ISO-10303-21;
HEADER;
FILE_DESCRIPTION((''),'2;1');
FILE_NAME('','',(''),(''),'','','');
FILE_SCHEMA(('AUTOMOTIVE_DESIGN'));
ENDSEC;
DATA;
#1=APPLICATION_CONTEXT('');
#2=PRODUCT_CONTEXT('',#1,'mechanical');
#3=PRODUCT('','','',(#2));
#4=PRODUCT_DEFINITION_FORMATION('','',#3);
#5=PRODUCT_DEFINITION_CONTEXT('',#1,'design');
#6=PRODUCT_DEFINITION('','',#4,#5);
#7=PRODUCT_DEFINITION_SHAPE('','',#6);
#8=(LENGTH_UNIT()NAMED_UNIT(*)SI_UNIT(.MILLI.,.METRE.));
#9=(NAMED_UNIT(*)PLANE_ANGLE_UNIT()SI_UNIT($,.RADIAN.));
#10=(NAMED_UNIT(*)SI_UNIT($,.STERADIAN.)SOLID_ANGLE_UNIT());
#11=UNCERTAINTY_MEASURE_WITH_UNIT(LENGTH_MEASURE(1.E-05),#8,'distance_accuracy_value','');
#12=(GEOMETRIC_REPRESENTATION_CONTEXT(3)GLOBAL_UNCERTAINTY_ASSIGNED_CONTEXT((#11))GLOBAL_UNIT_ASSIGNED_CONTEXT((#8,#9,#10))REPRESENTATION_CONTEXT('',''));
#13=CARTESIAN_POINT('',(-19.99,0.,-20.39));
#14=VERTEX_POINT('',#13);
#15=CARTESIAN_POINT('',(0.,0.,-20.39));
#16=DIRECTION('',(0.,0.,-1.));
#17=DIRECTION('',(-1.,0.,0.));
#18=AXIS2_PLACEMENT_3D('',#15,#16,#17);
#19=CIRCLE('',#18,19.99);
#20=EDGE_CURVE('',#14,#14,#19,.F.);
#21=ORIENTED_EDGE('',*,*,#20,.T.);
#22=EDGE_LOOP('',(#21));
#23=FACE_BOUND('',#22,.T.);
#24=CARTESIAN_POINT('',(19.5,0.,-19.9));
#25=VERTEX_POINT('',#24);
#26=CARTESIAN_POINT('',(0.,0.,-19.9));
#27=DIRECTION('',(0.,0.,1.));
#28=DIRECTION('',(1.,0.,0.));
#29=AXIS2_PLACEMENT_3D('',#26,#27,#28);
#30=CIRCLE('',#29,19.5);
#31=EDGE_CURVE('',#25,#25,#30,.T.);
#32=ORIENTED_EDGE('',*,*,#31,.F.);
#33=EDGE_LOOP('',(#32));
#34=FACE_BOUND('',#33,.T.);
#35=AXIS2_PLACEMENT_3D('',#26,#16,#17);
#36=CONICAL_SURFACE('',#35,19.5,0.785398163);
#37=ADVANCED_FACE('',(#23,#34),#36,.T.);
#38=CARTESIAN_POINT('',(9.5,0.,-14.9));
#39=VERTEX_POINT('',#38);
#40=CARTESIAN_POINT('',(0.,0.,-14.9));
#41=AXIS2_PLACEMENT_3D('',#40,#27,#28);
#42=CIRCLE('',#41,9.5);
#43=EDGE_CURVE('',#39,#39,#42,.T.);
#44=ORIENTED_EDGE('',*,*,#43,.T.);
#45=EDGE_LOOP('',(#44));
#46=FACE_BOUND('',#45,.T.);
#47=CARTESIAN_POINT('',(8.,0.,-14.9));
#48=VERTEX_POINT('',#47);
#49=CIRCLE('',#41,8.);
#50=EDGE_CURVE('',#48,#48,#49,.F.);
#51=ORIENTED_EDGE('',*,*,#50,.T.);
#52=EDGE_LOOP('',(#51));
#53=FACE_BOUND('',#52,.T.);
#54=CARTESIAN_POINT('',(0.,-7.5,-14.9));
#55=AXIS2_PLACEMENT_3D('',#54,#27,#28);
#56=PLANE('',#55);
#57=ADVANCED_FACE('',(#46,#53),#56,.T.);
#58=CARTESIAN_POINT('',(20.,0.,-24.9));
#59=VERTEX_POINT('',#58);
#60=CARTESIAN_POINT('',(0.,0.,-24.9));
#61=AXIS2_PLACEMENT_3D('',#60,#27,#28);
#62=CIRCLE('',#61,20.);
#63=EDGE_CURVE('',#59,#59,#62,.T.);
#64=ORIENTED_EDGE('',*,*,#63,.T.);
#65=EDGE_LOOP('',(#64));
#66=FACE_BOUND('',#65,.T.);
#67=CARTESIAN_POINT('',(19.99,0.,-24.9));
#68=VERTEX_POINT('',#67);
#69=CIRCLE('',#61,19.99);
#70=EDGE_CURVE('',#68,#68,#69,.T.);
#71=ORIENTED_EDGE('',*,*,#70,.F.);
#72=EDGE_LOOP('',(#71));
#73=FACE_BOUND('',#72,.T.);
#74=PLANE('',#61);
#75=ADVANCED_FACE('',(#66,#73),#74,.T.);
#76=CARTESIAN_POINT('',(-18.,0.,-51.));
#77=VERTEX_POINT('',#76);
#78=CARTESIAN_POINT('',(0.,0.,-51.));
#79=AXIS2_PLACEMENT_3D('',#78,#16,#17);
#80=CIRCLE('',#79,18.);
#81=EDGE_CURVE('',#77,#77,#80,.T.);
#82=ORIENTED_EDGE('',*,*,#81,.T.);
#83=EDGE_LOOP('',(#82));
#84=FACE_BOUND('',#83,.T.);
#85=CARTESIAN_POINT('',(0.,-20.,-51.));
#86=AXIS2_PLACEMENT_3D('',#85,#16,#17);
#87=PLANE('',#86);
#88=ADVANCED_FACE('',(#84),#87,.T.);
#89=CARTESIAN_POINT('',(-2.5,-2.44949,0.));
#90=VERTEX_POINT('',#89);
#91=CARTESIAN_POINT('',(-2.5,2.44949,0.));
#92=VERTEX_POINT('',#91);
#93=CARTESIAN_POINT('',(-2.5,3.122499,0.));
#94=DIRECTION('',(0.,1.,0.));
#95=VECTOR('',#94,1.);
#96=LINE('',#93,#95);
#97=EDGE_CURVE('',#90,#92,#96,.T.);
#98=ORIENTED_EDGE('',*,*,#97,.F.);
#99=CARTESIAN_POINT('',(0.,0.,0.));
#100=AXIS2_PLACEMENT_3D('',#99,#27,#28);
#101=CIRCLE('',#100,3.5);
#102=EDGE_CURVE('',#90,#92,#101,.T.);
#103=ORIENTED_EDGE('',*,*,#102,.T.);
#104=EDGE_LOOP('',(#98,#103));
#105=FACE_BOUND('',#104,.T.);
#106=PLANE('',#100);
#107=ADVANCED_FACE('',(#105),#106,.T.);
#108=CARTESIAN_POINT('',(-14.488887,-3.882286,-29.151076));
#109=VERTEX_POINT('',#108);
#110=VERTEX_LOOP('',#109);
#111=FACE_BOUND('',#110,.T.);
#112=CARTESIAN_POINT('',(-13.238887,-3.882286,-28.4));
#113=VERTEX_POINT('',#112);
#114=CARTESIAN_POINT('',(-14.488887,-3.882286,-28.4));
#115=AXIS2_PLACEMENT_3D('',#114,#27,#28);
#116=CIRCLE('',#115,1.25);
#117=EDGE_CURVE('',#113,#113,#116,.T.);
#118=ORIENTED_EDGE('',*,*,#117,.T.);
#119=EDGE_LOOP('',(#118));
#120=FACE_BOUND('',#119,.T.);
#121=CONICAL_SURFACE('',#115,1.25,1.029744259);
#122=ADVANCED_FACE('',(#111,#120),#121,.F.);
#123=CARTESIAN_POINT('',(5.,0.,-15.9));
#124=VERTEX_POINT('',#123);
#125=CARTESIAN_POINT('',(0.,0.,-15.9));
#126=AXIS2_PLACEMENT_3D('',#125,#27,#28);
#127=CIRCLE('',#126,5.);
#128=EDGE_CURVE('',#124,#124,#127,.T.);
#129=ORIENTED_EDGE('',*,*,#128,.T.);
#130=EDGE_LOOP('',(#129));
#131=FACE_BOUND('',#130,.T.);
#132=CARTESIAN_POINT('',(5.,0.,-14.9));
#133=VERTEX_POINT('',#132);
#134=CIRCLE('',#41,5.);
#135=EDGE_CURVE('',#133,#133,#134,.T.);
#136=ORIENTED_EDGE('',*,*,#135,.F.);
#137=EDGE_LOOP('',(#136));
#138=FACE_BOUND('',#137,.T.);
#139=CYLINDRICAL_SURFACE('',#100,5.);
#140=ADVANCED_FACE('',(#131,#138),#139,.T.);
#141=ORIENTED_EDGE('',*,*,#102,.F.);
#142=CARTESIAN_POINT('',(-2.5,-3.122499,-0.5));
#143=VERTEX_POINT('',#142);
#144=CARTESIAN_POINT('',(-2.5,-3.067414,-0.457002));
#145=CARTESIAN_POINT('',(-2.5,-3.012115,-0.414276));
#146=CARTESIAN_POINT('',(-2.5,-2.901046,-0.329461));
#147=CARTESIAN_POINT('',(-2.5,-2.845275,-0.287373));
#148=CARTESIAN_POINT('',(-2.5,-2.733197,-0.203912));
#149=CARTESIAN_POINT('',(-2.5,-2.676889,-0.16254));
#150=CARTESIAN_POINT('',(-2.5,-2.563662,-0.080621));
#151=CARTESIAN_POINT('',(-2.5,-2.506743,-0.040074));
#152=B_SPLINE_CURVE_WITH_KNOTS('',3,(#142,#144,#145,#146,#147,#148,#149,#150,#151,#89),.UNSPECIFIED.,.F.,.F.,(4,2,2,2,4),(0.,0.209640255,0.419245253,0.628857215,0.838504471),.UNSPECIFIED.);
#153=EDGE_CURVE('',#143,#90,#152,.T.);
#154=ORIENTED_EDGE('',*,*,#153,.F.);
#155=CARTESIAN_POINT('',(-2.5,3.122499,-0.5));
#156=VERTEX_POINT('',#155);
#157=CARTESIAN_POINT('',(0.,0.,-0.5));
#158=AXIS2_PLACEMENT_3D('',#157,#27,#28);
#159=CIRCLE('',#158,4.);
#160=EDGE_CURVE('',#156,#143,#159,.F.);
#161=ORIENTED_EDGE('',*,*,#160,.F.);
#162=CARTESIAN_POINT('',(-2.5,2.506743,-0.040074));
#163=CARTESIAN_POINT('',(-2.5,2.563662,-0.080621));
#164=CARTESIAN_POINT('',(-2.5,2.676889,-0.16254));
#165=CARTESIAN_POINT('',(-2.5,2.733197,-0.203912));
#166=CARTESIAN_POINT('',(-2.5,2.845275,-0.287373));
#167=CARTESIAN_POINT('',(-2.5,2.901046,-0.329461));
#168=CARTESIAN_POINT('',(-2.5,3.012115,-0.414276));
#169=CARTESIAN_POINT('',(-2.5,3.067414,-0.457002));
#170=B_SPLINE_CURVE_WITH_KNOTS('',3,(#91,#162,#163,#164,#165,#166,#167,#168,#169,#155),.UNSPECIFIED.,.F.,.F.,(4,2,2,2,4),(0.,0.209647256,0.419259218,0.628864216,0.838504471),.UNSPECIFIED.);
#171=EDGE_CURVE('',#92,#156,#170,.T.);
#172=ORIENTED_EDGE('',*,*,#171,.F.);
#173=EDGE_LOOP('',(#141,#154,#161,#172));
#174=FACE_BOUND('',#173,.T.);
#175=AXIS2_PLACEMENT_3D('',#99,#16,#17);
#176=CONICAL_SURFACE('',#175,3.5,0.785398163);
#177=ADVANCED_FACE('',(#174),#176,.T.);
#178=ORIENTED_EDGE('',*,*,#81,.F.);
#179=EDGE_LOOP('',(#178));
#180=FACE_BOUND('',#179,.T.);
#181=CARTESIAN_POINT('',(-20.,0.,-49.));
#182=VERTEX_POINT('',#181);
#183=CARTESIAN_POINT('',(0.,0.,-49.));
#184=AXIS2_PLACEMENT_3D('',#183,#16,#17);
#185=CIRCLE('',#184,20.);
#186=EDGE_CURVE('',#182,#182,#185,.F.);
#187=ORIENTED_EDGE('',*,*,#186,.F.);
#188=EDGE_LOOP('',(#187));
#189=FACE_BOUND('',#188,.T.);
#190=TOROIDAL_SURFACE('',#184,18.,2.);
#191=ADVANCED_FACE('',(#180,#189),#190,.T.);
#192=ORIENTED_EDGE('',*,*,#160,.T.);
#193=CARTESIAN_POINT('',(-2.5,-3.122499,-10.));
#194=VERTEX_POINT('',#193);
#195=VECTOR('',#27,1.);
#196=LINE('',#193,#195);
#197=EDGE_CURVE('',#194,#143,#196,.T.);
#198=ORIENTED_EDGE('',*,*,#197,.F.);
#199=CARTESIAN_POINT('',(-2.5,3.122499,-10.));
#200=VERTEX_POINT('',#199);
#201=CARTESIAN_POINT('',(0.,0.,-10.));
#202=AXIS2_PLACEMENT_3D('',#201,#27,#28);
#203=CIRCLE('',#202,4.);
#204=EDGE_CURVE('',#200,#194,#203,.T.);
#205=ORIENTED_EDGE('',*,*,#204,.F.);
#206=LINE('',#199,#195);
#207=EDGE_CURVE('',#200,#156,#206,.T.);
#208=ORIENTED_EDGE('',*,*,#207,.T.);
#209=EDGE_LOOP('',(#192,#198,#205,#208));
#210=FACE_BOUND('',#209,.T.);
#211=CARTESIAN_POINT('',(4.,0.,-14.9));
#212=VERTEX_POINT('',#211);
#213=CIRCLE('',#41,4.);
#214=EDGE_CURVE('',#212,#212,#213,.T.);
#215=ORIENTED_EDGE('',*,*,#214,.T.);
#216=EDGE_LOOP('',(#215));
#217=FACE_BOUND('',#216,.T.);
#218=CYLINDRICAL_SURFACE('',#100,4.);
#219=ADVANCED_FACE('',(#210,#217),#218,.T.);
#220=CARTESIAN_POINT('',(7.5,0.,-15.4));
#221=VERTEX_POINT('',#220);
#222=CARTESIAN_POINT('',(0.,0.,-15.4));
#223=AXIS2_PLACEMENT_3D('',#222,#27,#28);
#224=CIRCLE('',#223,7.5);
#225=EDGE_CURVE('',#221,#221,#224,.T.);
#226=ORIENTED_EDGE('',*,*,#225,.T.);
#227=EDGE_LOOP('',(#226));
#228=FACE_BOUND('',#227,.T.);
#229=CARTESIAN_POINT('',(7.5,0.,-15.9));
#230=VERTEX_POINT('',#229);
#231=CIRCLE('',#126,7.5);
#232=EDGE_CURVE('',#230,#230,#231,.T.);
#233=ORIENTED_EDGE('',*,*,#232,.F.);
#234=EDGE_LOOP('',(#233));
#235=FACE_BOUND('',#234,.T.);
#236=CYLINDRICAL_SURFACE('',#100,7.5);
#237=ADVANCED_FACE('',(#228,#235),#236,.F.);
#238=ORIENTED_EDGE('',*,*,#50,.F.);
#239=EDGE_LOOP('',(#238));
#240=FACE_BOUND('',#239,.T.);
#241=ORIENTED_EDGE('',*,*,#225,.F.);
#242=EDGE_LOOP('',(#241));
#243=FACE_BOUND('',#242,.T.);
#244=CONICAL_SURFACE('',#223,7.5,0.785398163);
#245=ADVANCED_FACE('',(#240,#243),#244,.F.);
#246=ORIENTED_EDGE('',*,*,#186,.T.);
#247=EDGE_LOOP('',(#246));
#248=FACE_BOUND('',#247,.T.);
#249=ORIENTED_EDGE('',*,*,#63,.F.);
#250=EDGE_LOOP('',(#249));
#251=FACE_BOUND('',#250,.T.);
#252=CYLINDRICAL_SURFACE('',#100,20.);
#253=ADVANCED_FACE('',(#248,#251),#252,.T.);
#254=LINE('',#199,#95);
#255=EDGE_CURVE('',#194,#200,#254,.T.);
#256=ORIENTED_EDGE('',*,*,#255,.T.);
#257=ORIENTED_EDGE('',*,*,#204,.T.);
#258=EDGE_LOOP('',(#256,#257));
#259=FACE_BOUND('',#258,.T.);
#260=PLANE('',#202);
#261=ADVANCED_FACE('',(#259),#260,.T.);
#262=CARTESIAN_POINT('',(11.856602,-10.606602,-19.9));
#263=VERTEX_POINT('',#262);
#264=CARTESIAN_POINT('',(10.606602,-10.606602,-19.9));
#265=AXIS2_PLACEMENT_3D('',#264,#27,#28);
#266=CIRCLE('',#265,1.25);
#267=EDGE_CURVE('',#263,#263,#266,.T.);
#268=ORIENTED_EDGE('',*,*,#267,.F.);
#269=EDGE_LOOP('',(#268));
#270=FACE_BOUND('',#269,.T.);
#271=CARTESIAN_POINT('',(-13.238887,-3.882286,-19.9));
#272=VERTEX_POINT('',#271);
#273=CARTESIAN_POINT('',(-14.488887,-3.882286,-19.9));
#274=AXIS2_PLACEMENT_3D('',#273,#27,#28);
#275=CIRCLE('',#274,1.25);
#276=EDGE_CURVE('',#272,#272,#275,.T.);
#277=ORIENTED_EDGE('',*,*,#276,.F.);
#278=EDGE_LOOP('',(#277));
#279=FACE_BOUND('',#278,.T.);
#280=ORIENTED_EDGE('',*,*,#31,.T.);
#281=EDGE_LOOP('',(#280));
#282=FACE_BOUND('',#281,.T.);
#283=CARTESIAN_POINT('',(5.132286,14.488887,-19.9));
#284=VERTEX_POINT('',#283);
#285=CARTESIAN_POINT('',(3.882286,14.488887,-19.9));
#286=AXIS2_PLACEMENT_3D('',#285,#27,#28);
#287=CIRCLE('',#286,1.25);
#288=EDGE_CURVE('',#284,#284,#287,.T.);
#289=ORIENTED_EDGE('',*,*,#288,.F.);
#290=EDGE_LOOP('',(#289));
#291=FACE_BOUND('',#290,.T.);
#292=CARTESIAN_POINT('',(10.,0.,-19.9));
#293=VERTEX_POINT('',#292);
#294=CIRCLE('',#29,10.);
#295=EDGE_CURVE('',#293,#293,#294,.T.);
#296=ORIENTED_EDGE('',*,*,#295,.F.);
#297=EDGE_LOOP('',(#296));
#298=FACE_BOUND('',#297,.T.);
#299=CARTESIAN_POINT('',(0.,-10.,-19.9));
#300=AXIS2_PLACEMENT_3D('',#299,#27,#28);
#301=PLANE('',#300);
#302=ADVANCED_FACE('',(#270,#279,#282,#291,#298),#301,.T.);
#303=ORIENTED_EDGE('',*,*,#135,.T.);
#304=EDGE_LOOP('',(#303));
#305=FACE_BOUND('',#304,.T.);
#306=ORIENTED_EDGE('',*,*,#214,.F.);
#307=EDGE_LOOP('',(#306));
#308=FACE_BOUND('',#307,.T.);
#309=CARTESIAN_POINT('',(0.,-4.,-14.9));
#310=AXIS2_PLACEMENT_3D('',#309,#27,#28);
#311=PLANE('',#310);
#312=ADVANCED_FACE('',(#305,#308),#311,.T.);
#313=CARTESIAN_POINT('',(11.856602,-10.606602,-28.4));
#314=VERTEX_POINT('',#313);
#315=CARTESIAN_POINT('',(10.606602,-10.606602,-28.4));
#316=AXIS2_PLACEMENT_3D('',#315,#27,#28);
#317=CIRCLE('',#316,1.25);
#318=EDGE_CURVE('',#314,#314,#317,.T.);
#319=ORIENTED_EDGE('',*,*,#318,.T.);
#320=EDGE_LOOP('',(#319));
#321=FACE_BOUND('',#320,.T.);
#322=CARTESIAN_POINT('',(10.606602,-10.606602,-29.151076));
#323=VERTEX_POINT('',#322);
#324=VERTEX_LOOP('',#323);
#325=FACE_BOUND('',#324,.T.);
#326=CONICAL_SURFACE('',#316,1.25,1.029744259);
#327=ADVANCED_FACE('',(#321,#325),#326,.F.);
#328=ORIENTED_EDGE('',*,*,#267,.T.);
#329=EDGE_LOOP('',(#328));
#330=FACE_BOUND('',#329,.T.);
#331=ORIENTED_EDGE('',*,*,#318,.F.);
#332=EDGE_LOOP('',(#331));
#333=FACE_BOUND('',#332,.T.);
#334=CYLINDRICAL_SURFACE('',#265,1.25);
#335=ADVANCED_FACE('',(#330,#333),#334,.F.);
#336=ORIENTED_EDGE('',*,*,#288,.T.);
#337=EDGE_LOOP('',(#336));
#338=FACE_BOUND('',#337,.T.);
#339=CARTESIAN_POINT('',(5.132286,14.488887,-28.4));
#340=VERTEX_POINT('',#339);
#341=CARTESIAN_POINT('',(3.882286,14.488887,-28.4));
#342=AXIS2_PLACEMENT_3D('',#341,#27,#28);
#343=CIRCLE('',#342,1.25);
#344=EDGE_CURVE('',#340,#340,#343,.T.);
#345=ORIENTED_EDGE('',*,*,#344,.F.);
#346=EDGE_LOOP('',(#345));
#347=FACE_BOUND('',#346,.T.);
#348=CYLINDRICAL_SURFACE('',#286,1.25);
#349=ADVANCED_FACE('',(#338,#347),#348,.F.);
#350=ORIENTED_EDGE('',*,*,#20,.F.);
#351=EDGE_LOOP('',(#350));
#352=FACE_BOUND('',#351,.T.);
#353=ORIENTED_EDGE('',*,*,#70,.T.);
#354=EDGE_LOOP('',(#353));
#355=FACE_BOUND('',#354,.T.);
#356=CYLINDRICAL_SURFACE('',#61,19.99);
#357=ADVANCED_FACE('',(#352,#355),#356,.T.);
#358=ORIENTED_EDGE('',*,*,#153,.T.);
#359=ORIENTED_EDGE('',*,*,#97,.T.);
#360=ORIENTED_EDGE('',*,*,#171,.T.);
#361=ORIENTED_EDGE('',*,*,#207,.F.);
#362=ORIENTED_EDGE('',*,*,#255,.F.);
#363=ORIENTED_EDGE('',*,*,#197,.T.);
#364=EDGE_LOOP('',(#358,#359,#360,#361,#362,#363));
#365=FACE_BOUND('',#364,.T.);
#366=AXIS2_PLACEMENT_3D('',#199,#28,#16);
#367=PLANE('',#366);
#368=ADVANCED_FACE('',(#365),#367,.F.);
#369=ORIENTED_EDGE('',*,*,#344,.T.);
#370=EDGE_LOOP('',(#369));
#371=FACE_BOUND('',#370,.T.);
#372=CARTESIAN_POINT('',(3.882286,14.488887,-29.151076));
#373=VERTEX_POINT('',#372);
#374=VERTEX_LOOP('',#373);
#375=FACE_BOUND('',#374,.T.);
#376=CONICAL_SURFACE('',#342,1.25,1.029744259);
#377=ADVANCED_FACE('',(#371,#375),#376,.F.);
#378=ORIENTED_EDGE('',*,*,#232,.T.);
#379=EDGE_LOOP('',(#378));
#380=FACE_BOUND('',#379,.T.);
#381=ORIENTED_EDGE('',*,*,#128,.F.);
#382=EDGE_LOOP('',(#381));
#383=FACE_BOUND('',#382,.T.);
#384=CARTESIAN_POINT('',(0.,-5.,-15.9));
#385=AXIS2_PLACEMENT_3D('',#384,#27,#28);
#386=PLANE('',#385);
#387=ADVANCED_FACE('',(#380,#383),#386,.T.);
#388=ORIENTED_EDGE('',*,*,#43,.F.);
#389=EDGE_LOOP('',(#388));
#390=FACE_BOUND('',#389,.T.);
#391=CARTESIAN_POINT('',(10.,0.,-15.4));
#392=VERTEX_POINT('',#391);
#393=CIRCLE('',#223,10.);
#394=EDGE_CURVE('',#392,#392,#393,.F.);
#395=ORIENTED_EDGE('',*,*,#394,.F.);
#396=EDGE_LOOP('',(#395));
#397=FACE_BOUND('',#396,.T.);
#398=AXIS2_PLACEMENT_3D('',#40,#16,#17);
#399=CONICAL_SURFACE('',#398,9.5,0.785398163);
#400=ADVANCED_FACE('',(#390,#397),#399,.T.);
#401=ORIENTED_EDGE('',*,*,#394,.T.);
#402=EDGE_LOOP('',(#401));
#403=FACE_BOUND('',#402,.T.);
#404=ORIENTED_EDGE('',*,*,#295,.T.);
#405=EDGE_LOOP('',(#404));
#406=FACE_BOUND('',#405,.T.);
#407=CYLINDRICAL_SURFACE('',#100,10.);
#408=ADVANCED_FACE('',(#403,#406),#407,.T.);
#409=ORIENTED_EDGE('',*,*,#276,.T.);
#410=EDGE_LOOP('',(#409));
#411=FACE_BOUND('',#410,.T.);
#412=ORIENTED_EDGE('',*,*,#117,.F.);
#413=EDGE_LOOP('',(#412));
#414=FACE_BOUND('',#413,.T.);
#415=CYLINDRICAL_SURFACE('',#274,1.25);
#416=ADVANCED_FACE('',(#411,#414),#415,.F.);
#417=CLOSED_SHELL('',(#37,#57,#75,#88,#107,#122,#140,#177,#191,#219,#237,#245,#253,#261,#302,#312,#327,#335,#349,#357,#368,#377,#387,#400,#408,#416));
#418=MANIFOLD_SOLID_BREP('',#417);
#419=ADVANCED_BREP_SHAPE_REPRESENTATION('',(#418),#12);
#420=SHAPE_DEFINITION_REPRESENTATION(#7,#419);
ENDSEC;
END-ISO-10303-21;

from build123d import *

# Parameters (mm, degrees)
FILLET3_R                      = 2
CUT_EXTRUDE11_START            = -10
CUT_EXTRUDE11_DEPTH            = 10
CHAMFER6_SIZE                  = 0.5
M3X0_5_TAPPED_HOLE1_AT_2_COUNT = 2
M3X0_5_TAPPED_HOLE1_AT_2_PITCH = 11.136209045
CIRPATTERN4_COUNT              = 3
SKETCH43_R                     = 1.25
EXTRUDE13_DEPTH                = 15
CUT_EXTRUDE13_START            = -5
SKETCH44_R                     = 20
SKETCH44_R_2                   = 19.99
CUT_EXTRUDE13_DEPTH            = 5


with BuildPart() as part:
    # Sketch37 → Revolve3 (revolve)
    with BuildSketch(Plane(origin=(0, 0, 0), x_dir=(0, 0, -1), z_dir=(1, 0, 0)), mode=Mode.PRIVATE) as revolve3_sk:
        Polygon((0, 0), (0, -4), (14.9, -4), (14.9, -5), (15.9, -5), (15.9, -7.5), (14.9, -7.5), (14.9, -10), (19.9, -10), (19.9, -20), (51, -20), (51, 0), align=None)
    revolve(revolve3_sk.sketch.rotate(Axis((0, 0, 0), (0, 0, -1)), 270), axis=Axis((0, 0, 0), (0, 0, -1)))

    # Fillet3
    fillet3_edges = [part.edges().sort_by_distance(p)[0] for p in [
        (-20, 0, -51),
    ]]
    fillet(fillet3_edges, radius=FILLET3_R)

    # Sketch38 → Cut-Extrude11 (cut)
    with BuildSketch(Plane.XY.offset(CUT_EXTRUDE11_START)):
        with BuildLine():
            Line((-2.5, 3.122498999), (-2.5, -3.122498999))
            ThreePointArc((-2.5, -3.122498999), (-4, 0), (-2.5, 3.122498999))
        make_face()
    extrude(amount=CUT_EXTRUDE11_DEPTH, mode=Mode.SUBTRACT)

    # Chamfer6
    chamfer6_edges = [part.edges().sort_by_distance(p)[0] for p in [
        (-10, 0, -14.9),
        (-7.5, 0, -14.9),
        (1.732050808, 3.605551275, 0),
        (-20, 0, -19.9),
    ]]
    chamfer(chamfer6_edges, length=CHAMFER6_SIZE)

    # Sketch40 → M3x0.5 Tapped Hole1 (revolve, cut)
    with BuildSketch(Plane(origin=(0, -14, -19.9), x_dir=(0, -1, 0), z_dir=(1, 0, 0))):
        Polygon((0, 0), (0, 9.251075774), (1.25, 8.5), (1.25, 0), align=None)
    m3x0_5_tapped_hole1 = revolve(axis=Axis((0, -14, -13.55), (0, 0, -1)), mode=Mode.SUBTRACT)

    # M3x0.5 Tapped Hole1 at 2: M3x0.5 Tapped Hole1 ×2
    with Locations(*[Vector(0.9524427634762035, 0.30471754511647786, 0) * (i * M3X0_5_TAPPED_HOLE1_AT_2_PITCH) for i in range(1, M3X0_5_TAPPED_HOLE1_AT_2_COUNT)]):
        add(m3x0_5_tapped_hole1, mode=Mode.SUBTRACT)

    # CirPattern4: M3x0.5 Tapped Hole1 ×3 about axis
    cirpattern4_axis = Axis((0, 0, 0), (0, 0, 1))
    for i in range(1, CIRPATTERN4_COUNT):
        add(m3x0_5_tapped_hole1.rotate(cirpattern4_axis, i * 360 / CIRPATTERN4_COUNT), mode=Mode.SUBTRACT)

    # CirPattern4 copy 1 sketch → CirPattern4 copy 1 (revolve, cut)
    with BuildSketch(Plane(origin=(3.882285677, 14.488887394, -19.9), x_dir=(0.8660254037844387, 0.4999999999999998, 0), z_dir=(-0.4999999999999998, 0.8660254037844387, 0))):
        Polygon((0, 0), (0, 9.251075774), (1.25, 8.5), (1.25, 0), align=None)
    revolve(axis=Axis((3.882285677, 14.488887394, -13.55), (0, 0, -1)), mode=Mode.SUBTRACT)

    # CirPattern4 copy 2 sketch → CirPattern4 copy 2 (revolve, cut)
    with BuildSketch(Plane(origin=(-14.488887394, -3.882285677, -19.9), x_dir=(-0.8660254037844384, 0.5000000000000004, 0), z_dir=(-0.5000000000000004, -0.8660254037844384, 0))):
        Polygon((0, 0), (0, 9.251075774), (1.25, 8.5), (1.25, 0), align=None)
    revolve(axis=Axis((-14.488887394, -3.882285677, -13.55), (0, 0, -1)), mode=Mode.SUBTRACT)

    # Sketch43 → Extrude13 (add)
    with BuildSketch(Plane.XY.offset(-19.9)):
        with Locations((0, -14)):
            Circle(SKETCH43_R)
        with Locations((-12.124355653, 7)):
            Circle(SKETCH43_R)
        with Locations((12.124355653, 7)):
            Circle(SKETCH43_R)
    extrude(amount=-EXTRUDE13_DEPTH)

    # Sketch44 → Cut-Extrude13 (cut)
    with BuildSketch(Plane.XY.offset(-19.9).offset(CUT_EXTRUDE13_START)):
        Circle(SKETCH44_R)
        Circle(SKETCH44_R_2, mode=Mode.SUBTRACT)
    extrude(amount=CUT_EXTRUDE13_DEPTH, mode=Mode.SUBTRACT)


solid = part.part
